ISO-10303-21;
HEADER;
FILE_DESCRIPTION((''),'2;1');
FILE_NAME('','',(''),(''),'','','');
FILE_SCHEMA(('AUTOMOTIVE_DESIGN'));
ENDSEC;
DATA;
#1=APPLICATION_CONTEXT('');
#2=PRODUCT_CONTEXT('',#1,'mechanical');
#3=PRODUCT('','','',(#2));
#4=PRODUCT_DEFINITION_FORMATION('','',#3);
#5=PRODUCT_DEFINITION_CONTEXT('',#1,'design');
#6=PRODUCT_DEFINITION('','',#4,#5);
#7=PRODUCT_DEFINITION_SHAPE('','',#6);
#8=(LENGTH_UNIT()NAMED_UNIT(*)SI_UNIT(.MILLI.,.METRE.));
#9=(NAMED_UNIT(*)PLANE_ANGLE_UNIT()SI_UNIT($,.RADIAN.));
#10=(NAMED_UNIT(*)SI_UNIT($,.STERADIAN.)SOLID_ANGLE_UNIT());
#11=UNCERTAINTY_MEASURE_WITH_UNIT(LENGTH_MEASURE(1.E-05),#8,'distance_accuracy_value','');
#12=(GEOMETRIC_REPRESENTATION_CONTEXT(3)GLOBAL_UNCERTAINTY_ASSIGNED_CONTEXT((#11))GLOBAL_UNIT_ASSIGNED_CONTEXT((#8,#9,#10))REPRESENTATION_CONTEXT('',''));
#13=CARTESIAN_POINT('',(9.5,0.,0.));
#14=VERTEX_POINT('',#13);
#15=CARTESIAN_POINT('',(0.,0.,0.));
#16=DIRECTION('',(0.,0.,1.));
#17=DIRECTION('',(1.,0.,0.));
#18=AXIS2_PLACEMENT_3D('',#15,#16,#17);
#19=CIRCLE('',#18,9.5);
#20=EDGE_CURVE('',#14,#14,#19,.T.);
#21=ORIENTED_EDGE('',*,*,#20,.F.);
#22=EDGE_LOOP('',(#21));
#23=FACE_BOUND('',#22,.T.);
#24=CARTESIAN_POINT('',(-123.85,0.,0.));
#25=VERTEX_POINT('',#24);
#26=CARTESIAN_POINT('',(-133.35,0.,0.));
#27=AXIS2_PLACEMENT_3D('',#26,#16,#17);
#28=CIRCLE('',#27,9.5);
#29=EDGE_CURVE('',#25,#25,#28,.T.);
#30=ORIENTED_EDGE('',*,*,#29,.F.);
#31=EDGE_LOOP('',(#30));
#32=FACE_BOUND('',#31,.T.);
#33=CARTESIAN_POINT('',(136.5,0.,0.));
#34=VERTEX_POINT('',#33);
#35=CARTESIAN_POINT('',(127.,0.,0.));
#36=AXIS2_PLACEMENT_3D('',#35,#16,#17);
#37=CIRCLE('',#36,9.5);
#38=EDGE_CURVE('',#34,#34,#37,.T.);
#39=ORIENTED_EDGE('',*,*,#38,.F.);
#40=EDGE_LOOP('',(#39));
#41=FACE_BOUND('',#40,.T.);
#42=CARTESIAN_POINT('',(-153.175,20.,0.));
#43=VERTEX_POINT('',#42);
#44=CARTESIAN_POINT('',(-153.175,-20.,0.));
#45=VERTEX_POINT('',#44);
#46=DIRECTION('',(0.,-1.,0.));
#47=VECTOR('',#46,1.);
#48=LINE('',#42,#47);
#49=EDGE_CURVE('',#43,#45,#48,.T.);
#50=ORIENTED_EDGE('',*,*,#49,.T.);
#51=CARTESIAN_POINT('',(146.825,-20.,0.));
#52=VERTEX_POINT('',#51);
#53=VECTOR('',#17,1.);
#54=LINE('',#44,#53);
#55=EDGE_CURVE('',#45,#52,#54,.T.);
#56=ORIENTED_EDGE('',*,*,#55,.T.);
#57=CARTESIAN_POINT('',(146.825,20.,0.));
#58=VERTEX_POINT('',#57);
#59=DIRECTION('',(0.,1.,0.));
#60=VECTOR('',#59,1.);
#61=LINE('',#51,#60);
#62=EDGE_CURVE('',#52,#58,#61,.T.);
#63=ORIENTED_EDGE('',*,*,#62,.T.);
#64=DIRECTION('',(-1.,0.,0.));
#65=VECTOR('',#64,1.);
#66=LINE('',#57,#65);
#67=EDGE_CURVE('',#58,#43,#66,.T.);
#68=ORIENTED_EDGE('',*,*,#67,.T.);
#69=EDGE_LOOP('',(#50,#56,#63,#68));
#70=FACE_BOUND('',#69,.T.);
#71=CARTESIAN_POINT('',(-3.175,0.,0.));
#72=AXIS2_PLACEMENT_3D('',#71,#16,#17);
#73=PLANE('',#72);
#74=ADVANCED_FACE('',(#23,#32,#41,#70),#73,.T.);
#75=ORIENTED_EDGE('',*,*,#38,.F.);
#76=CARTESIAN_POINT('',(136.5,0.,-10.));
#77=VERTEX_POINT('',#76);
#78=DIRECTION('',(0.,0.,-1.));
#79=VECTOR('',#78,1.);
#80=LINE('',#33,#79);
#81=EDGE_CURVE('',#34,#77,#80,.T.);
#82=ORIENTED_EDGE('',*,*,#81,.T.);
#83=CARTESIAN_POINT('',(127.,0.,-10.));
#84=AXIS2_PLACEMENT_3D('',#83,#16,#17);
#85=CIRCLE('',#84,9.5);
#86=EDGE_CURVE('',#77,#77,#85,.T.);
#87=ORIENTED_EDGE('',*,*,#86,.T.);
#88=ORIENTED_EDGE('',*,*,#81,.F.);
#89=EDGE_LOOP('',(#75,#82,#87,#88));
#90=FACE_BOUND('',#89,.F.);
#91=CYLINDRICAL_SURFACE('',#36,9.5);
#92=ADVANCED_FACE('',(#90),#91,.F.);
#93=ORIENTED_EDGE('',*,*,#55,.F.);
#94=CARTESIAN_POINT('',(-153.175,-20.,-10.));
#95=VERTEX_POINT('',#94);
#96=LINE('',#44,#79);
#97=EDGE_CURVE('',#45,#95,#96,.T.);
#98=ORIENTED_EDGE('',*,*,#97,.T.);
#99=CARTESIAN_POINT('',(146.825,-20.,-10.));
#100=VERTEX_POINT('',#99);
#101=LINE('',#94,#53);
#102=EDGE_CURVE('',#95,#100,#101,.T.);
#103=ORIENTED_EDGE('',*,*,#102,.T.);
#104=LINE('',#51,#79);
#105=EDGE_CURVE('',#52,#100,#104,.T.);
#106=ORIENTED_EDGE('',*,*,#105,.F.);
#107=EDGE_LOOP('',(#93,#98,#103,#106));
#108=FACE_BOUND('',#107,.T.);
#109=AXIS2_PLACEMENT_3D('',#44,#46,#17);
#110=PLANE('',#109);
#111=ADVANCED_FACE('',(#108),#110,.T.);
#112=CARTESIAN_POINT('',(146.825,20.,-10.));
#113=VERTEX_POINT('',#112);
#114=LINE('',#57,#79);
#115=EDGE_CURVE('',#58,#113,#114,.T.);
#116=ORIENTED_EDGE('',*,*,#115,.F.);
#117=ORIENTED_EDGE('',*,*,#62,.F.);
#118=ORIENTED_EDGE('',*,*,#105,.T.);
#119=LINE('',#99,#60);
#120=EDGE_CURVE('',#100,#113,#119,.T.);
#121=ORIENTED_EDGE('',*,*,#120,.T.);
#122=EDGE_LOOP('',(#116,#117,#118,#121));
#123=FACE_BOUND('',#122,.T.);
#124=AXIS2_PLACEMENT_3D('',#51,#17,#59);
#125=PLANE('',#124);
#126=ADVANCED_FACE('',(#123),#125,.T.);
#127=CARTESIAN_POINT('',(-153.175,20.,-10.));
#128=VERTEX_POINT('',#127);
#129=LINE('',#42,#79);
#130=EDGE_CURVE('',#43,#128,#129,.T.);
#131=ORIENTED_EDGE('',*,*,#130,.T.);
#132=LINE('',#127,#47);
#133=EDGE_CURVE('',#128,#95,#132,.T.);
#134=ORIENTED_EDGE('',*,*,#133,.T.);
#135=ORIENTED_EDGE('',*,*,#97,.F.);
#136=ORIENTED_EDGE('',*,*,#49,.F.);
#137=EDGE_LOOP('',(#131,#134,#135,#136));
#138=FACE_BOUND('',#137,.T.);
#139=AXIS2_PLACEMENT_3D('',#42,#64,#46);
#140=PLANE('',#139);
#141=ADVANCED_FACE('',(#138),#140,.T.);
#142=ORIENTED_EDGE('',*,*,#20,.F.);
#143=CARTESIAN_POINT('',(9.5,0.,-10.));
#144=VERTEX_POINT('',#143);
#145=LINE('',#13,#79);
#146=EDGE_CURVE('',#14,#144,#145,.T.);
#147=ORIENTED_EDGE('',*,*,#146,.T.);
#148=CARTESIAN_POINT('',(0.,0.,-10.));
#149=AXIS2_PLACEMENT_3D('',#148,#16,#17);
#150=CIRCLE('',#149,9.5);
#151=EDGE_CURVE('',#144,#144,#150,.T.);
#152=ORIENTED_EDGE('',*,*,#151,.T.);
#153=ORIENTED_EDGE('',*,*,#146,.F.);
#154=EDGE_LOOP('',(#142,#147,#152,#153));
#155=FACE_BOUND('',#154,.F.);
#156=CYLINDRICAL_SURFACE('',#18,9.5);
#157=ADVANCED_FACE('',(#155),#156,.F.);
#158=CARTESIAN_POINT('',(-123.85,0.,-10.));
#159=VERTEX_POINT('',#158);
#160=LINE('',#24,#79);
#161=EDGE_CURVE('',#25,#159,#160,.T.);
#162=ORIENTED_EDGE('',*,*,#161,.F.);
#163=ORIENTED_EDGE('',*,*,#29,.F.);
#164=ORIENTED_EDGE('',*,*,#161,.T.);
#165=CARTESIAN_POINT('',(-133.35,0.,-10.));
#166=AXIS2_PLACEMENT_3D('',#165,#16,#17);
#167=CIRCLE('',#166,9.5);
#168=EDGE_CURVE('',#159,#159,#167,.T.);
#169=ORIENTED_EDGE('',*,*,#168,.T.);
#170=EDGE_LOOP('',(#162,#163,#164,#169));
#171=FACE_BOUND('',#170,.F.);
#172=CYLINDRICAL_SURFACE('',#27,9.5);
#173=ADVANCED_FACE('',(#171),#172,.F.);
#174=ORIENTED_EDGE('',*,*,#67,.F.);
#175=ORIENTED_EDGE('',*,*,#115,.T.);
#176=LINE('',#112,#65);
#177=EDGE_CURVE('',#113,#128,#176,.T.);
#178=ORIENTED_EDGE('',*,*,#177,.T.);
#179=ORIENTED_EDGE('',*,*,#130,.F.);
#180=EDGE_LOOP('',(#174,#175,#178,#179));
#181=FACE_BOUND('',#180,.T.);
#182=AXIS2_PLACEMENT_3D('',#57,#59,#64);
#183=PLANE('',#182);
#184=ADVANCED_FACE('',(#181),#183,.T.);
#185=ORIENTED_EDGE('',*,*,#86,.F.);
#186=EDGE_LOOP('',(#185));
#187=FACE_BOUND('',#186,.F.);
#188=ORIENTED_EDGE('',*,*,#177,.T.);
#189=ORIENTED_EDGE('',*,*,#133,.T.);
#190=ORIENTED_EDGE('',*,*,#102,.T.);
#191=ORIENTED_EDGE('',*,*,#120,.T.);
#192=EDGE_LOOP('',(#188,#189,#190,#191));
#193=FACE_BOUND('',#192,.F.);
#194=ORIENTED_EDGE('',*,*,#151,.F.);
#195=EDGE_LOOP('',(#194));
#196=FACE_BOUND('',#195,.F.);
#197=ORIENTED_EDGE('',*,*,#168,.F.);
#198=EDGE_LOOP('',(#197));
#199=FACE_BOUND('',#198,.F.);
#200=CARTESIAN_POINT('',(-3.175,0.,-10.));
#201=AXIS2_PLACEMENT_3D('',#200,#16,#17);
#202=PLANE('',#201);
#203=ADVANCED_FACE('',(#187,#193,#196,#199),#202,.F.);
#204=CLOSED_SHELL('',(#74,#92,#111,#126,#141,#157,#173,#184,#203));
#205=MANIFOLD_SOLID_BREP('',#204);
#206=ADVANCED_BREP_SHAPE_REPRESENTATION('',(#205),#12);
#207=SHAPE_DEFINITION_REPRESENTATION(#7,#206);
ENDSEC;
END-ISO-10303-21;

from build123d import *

# Parameters (mm, degrees)
F0_R     = 9.5
F1_DEPTH = 10


with BuildPart() as f1:
    # F0 (on Top) → F1 (new body)
    with BuildSketch(Plane.XY):
        Polygon((-153.175, -20), (0, -20), (146.825, -20), (146.825, 20), (0, 20), (-153.175, 20), align=None)
        with Locations((-133.35, 0)):
            Circle(F0_R, mode=Mode.SUBTRACT)
        Circle(F0_R, mode=Mode.SUBTRACT)
        with Locations((127, 0)):
            Circle(F0_R, mode=Mode.SUBTRACT)
    extrude(amount=-F1_DEPTH)


solid = f1.part
